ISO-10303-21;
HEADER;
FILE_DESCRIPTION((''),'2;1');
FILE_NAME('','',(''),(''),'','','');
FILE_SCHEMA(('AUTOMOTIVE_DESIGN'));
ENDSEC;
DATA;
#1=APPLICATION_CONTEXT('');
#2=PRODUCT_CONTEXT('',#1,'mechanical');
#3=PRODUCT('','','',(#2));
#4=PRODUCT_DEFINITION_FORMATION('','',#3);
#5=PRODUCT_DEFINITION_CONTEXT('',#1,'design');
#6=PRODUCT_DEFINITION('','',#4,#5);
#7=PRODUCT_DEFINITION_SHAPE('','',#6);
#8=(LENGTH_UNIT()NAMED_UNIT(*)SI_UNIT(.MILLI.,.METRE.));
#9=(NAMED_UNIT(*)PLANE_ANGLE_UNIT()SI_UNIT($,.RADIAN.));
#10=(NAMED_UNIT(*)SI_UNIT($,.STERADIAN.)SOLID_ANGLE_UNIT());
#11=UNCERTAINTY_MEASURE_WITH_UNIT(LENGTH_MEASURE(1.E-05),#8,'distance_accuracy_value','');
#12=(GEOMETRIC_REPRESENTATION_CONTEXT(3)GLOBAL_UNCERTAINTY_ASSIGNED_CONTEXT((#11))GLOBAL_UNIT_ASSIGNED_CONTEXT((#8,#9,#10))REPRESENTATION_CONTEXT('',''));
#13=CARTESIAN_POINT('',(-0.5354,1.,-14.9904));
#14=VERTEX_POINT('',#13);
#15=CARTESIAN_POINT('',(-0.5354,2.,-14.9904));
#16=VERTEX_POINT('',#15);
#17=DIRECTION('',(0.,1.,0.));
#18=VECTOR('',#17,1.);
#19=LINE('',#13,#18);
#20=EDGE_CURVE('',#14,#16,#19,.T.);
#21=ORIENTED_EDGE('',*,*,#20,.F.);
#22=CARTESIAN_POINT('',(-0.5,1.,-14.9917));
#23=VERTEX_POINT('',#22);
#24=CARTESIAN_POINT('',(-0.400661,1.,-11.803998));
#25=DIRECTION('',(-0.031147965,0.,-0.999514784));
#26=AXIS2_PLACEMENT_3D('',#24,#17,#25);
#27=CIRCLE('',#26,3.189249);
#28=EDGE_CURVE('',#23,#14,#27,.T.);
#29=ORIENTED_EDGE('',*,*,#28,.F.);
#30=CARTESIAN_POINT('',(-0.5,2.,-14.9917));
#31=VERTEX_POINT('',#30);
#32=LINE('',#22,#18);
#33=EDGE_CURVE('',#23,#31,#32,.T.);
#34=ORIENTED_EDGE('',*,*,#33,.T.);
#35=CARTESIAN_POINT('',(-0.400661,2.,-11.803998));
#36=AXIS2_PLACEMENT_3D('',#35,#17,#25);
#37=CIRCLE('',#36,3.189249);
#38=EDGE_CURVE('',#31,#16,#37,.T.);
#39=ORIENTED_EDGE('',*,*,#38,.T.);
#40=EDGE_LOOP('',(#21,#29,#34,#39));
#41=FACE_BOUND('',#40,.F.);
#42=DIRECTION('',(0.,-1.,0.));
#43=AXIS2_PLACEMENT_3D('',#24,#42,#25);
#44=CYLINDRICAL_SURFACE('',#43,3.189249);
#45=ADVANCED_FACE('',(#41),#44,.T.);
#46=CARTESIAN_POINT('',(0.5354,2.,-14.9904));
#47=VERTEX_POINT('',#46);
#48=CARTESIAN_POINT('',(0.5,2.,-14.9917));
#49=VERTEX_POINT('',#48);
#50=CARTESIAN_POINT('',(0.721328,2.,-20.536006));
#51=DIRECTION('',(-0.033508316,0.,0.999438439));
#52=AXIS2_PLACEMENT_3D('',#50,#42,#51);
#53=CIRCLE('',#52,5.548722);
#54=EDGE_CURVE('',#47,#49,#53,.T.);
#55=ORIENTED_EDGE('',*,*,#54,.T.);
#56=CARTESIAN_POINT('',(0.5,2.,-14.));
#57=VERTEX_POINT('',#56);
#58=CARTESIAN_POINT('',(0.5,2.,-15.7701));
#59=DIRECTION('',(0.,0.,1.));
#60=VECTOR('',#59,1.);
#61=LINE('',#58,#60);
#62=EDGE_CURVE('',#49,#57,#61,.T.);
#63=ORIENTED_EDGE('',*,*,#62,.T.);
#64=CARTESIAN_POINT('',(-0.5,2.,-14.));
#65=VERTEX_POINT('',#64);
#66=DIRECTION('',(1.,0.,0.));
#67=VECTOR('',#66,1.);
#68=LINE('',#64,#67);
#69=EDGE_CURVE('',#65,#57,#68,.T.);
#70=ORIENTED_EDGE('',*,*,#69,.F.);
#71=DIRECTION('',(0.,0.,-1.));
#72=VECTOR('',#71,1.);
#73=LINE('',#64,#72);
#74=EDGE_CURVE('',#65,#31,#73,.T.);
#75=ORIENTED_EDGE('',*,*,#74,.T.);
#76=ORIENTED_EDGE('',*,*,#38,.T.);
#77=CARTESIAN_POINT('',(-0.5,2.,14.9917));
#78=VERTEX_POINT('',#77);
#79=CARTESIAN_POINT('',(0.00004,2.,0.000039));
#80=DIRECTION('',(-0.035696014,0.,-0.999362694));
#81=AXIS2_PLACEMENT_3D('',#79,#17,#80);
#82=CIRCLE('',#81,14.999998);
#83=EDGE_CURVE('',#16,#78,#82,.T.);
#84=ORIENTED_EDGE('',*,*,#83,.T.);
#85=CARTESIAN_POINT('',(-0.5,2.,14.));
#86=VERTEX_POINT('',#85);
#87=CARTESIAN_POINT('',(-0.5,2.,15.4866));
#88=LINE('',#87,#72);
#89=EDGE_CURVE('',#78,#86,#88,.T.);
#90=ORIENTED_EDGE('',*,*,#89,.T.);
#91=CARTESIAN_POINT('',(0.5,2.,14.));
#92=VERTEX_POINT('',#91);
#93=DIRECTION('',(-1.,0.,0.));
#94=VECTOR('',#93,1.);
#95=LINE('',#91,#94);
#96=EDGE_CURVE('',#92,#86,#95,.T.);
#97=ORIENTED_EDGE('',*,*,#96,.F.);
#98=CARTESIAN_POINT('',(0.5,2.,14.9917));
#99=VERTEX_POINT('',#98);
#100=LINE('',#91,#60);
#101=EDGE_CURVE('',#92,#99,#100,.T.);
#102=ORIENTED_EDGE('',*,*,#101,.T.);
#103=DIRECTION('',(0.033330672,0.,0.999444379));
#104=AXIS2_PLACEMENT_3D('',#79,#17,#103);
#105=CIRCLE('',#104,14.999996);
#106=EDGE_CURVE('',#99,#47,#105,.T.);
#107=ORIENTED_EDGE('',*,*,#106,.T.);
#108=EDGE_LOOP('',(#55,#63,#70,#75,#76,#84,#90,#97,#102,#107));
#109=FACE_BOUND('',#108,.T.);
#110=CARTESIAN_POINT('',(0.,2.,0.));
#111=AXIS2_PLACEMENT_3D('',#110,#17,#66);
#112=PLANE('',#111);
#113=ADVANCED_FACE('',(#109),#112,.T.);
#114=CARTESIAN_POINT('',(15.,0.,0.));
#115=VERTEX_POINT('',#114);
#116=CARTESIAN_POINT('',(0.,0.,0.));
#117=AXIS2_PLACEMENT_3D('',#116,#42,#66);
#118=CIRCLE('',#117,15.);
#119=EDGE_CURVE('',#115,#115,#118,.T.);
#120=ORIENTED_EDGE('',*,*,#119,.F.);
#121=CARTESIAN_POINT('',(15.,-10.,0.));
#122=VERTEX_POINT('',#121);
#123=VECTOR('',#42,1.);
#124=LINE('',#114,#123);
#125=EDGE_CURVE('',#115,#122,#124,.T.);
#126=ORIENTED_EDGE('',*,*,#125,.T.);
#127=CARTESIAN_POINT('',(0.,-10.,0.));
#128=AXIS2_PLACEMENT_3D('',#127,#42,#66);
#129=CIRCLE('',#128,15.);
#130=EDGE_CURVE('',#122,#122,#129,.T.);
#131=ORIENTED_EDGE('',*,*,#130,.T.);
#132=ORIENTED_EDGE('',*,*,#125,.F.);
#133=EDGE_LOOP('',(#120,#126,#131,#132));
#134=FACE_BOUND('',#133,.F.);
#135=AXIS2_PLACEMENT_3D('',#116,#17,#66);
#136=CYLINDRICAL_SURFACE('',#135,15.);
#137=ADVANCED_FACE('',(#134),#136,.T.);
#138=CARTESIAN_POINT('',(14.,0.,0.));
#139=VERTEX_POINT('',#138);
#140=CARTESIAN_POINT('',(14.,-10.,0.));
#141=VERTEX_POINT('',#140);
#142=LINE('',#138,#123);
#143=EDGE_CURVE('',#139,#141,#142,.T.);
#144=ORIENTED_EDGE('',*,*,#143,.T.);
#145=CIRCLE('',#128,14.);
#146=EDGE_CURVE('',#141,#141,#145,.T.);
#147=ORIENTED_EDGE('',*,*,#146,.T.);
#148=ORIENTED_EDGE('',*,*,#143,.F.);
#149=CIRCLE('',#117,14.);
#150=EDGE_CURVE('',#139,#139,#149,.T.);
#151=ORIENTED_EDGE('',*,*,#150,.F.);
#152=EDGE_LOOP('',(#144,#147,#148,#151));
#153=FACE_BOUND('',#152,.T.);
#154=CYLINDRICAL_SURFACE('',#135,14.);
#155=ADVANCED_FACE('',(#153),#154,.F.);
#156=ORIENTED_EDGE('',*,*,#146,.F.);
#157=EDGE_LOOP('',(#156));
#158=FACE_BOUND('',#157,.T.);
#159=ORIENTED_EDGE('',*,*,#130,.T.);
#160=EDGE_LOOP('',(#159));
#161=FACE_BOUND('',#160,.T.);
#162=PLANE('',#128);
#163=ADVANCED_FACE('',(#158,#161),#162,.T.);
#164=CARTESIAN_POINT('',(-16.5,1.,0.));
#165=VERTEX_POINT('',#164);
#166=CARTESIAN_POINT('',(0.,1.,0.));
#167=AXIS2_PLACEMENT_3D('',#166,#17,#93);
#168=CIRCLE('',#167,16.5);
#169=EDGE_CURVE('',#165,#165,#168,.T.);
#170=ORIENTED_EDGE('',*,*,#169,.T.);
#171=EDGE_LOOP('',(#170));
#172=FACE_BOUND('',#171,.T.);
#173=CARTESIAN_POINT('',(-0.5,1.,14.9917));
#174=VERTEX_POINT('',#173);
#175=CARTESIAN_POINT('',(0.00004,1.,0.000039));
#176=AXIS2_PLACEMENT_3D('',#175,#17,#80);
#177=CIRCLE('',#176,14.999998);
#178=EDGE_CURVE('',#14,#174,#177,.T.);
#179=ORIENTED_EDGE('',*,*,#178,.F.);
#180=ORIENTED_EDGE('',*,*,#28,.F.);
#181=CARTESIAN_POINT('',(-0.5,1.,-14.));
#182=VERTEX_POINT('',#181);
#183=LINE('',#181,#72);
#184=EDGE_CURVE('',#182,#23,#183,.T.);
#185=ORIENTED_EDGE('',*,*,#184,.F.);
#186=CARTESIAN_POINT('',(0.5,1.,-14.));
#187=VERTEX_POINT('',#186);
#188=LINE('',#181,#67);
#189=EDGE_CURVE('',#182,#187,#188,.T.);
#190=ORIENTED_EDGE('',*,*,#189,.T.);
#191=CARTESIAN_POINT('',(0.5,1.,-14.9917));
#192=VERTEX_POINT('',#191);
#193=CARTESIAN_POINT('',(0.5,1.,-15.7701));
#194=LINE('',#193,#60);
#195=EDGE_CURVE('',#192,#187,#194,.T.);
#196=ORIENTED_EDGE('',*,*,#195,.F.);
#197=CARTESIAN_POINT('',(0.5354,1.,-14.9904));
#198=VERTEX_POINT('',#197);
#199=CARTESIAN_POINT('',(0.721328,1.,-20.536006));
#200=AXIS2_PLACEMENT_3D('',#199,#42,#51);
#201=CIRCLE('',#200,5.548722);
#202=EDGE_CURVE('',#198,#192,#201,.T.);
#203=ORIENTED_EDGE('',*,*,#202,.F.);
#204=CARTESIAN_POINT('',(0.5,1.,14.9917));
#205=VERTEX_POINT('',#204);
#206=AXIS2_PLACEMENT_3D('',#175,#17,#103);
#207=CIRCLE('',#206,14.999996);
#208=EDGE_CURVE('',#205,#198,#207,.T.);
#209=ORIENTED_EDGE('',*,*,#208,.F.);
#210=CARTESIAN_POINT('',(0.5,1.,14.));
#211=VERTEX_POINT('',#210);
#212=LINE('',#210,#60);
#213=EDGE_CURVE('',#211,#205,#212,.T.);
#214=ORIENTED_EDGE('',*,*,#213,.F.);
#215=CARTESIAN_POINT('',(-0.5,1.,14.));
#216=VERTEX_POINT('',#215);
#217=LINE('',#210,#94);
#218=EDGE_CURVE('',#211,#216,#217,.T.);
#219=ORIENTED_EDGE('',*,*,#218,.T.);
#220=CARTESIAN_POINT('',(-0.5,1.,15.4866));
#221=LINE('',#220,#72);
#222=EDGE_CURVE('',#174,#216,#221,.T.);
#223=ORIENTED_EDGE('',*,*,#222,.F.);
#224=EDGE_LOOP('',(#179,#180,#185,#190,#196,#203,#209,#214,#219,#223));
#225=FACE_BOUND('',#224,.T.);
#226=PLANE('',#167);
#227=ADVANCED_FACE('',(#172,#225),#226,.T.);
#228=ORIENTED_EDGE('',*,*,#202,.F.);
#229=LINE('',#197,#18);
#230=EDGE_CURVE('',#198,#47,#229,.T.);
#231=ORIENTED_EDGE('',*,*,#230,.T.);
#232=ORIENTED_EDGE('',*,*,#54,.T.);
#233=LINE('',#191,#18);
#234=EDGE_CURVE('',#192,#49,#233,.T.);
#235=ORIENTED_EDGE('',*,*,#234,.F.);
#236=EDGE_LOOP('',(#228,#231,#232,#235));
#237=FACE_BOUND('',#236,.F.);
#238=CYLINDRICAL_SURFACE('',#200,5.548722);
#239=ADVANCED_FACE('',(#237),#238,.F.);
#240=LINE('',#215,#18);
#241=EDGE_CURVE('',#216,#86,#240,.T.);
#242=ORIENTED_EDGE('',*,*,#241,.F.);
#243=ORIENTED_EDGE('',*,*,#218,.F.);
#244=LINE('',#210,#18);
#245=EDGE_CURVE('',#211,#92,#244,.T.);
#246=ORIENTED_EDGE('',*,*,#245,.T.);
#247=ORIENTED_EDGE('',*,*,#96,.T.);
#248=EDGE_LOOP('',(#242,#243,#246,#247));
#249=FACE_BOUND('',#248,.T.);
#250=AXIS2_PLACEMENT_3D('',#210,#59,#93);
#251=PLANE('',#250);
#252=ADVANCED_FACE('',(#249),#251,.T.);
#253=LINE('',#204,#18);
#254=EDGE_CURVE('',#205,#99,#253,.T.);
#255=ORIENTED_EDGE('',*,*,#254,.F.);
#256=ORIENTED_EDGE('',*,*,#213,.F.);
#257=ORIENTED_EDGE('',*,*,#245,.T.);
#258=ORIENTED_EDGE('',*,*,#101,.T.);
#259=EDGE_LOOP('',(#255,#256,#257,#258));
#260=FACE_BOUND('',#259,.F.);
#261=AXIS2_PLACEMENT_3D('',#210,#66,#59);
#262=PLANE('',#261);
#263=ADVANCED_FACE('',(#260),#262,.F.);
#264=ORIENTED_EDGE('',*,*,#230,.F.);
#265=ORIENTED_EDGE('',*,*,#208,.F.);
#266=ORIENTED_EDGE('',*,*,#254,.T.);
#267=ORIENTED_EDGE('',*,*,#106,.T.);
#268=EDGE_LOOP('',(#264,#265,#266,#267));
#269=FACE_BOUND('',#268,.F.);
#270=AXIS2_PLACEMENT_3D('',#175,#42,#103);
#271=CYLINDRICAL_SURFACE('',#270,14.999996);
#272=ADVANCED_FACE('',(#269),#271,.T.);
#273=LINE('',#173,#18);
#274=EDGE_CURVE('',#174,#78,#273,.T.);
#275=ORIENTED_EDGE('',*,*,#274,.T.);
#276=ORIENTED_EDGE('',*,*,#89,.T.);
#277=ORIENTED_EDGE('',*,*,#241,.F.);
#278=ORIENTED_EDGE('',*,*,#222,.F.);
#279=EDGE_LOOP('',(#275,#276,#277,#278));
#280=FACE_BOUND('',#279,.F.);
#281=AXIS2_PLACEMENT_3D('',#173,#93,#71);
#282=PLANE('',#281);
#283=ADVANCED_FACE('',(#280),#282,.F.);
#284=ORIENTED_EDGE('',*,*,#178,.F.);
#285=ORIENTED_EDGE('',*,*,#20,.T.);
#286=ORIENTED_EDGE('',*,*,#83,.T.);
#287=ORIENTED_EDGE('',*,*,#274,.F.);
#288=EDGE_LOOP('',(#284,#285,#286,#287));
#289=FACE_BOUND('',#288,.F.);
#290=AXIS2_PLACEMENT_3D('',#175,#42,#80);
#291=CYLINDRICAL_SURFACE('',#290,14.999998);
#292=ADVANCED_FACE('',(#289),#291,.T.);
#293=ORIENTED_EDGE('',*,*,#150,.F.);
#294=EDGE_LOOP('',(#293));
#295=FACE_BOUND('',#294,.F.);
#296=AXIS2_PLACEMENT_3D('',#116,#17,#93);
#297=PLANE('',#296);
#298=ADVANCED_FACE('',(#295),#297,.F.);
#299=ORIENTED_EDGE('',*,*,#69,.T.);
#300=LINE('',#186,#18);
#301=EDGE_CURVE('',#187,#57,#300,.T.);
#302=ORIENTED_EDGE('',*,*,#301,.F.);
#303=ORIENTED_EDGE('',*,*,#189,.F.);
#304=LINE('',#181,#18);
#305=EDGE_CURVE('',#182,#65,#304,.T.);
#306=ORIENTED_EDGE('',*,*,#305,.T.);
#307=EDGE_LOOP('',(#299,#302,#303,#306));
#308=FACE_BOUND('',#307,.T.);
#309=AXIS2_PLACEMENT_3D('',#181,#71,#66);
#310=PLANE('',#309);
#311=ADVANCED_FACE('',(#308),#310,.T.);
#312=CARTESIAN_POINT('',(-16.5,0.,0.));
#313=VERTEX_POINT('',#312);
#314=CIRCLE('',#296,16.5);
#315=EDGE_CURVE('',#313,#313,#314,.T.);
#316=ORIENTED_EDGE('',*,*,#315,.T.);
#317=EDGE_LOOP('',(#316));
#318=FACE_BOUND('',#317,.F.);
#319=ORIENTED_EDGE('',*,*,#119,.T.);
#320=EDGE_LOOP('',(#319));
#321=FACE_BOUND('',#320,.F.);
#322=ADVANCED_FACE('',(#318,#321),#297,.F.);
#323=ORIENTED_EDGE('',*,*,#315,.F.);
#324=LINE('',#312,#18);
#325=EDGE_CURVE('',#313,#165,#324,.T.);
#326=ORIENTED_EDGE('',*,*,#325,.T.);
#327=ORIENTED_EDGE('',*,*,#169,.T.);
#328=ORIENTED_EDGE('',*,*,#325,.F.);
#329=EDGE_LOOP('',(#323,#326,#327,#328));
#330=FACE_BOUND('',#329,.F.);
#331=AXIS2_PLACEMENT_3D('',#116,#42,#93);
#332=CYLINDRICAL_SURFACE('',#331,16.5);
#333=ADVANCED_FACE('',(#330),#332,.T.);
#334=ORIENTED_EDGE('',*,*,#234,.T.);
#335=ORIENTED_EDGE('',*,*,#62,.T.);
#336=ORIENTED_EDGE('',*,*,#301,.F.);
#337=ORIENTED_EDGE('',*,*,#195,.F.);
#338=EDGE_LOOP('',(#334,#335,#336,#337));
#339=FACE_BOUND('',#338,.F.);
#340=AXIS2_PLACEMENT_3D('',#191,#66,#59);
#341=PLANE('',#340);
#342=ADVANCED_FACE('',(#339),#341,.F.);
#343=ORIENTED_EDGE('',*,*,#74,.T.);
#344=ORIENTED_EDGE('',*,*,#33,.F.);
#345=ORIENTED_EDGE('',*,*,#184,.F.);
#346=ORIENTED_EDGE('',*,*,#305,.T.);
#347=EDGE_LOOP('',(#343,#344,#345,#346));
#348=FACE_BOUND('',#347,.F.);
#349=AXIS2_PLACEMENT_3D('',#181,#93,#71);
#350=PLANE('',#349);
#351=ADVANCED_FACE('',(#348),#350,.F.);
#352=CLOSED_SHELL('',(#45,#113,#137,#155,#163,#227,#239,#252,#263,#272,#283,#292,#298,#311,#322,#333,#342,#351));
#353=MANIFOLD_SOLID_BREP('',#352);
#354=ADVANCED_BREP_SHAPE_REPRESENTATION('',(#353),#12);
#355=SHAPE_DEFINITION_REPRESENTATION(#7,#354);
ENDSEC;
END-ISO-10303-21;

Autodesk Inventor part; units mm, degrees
sketch "Эскиз5" plane through (0, 0, 0) normal (0, 1, 0) x (-1, 0, 0)
  circle A0 centre (0, 0) radius 16.5
  dimension "d12" = 33
extrude "Выдавливание4" add sketch "Эскиз5" along normal blind 1
sketch "Эскиз7" plane through (0, 1, 0) normal (0, 1, 0) x (1, 0, 0)
  circle A0 centre (0, 0) radius 16
  circle A1 centre (0, 0) radius 16.5 projected
  arc A2 (-0.5, 14.9917) -> (-0.5354, 14.9904) centre (0, 0) ccw
  line L0 (0.5, -14) -> (-0.5, -14)
  line L1 (-0.5, 14) -> (0.5, 14)
  line L2 (0.5, -14) -> (-0.5, 14) construction
  line L3 (-0.5, -14) -> (0.5, 14) construction
  line L4 (-0.5, -14) -> (0.5, -14)
  line L5 (0.5, -14) -> (0.5, -15.4866)
  line L6 (0.5, -15.4866) -> (-0.5, -15.4866)
  line L7 (-0.5, -15.4866) -> (-0.5, -14)
  line L8 (0.5, 14) -> (-0.5, 14)
  line L9 (-0.5, 14) -> (-0.5, 15.7701)
  line L10 (-0.5, 15.7701) -> (0.5, 15.7701)
  line L11 (0.5, 15.7701) -> (0.5, 14)
  arc A3 (0.5, -14.9917) -> (0.5354, 14.9904) centre (0, 0) ccw
  arc A4 (0.5354, 14.9904) -> (0.5, 14.9917) centre (0, 0) ccw
  arc A5 (-0.5354, 14.9904) -> (-0.5, -14.9917) centre (0, 0) ccw
  dimension "d17" = 1
  dimension "d18" = 28
  dimension "d19" = 32
  dimension "d21" = 2.045
  dimension "d22" = 177.955
  dimension "d23" = 0
  dimension "d24" = 1.7701
  dimension "d25" = 31.2568
  dimension "d26" = 0.5
  dimension "d27" = 15.7701
  dimension "d30" = 15
  dimension "d31" = 15
extrude "Выдавливание6" add sketch "Эскиз7" along normal blind 1 contours L9 L1 L11 A4 A3 L5 L0 L7 A5 A2
sketch "Эскиз9" plane through (0, 0, 0) normal (0, -1, 0) x (1, 0, 0)
  circle A0 centre (0, 0) radius 15
  circle A1 centre (0, 0) radius 14
  dimension "d41" = 30
  dimension "d42" = 28
extrude "Выдавливание8" add sketch "Эскиз9" along normal blind 10
properties part number "Крышка и батарейный отсек"
